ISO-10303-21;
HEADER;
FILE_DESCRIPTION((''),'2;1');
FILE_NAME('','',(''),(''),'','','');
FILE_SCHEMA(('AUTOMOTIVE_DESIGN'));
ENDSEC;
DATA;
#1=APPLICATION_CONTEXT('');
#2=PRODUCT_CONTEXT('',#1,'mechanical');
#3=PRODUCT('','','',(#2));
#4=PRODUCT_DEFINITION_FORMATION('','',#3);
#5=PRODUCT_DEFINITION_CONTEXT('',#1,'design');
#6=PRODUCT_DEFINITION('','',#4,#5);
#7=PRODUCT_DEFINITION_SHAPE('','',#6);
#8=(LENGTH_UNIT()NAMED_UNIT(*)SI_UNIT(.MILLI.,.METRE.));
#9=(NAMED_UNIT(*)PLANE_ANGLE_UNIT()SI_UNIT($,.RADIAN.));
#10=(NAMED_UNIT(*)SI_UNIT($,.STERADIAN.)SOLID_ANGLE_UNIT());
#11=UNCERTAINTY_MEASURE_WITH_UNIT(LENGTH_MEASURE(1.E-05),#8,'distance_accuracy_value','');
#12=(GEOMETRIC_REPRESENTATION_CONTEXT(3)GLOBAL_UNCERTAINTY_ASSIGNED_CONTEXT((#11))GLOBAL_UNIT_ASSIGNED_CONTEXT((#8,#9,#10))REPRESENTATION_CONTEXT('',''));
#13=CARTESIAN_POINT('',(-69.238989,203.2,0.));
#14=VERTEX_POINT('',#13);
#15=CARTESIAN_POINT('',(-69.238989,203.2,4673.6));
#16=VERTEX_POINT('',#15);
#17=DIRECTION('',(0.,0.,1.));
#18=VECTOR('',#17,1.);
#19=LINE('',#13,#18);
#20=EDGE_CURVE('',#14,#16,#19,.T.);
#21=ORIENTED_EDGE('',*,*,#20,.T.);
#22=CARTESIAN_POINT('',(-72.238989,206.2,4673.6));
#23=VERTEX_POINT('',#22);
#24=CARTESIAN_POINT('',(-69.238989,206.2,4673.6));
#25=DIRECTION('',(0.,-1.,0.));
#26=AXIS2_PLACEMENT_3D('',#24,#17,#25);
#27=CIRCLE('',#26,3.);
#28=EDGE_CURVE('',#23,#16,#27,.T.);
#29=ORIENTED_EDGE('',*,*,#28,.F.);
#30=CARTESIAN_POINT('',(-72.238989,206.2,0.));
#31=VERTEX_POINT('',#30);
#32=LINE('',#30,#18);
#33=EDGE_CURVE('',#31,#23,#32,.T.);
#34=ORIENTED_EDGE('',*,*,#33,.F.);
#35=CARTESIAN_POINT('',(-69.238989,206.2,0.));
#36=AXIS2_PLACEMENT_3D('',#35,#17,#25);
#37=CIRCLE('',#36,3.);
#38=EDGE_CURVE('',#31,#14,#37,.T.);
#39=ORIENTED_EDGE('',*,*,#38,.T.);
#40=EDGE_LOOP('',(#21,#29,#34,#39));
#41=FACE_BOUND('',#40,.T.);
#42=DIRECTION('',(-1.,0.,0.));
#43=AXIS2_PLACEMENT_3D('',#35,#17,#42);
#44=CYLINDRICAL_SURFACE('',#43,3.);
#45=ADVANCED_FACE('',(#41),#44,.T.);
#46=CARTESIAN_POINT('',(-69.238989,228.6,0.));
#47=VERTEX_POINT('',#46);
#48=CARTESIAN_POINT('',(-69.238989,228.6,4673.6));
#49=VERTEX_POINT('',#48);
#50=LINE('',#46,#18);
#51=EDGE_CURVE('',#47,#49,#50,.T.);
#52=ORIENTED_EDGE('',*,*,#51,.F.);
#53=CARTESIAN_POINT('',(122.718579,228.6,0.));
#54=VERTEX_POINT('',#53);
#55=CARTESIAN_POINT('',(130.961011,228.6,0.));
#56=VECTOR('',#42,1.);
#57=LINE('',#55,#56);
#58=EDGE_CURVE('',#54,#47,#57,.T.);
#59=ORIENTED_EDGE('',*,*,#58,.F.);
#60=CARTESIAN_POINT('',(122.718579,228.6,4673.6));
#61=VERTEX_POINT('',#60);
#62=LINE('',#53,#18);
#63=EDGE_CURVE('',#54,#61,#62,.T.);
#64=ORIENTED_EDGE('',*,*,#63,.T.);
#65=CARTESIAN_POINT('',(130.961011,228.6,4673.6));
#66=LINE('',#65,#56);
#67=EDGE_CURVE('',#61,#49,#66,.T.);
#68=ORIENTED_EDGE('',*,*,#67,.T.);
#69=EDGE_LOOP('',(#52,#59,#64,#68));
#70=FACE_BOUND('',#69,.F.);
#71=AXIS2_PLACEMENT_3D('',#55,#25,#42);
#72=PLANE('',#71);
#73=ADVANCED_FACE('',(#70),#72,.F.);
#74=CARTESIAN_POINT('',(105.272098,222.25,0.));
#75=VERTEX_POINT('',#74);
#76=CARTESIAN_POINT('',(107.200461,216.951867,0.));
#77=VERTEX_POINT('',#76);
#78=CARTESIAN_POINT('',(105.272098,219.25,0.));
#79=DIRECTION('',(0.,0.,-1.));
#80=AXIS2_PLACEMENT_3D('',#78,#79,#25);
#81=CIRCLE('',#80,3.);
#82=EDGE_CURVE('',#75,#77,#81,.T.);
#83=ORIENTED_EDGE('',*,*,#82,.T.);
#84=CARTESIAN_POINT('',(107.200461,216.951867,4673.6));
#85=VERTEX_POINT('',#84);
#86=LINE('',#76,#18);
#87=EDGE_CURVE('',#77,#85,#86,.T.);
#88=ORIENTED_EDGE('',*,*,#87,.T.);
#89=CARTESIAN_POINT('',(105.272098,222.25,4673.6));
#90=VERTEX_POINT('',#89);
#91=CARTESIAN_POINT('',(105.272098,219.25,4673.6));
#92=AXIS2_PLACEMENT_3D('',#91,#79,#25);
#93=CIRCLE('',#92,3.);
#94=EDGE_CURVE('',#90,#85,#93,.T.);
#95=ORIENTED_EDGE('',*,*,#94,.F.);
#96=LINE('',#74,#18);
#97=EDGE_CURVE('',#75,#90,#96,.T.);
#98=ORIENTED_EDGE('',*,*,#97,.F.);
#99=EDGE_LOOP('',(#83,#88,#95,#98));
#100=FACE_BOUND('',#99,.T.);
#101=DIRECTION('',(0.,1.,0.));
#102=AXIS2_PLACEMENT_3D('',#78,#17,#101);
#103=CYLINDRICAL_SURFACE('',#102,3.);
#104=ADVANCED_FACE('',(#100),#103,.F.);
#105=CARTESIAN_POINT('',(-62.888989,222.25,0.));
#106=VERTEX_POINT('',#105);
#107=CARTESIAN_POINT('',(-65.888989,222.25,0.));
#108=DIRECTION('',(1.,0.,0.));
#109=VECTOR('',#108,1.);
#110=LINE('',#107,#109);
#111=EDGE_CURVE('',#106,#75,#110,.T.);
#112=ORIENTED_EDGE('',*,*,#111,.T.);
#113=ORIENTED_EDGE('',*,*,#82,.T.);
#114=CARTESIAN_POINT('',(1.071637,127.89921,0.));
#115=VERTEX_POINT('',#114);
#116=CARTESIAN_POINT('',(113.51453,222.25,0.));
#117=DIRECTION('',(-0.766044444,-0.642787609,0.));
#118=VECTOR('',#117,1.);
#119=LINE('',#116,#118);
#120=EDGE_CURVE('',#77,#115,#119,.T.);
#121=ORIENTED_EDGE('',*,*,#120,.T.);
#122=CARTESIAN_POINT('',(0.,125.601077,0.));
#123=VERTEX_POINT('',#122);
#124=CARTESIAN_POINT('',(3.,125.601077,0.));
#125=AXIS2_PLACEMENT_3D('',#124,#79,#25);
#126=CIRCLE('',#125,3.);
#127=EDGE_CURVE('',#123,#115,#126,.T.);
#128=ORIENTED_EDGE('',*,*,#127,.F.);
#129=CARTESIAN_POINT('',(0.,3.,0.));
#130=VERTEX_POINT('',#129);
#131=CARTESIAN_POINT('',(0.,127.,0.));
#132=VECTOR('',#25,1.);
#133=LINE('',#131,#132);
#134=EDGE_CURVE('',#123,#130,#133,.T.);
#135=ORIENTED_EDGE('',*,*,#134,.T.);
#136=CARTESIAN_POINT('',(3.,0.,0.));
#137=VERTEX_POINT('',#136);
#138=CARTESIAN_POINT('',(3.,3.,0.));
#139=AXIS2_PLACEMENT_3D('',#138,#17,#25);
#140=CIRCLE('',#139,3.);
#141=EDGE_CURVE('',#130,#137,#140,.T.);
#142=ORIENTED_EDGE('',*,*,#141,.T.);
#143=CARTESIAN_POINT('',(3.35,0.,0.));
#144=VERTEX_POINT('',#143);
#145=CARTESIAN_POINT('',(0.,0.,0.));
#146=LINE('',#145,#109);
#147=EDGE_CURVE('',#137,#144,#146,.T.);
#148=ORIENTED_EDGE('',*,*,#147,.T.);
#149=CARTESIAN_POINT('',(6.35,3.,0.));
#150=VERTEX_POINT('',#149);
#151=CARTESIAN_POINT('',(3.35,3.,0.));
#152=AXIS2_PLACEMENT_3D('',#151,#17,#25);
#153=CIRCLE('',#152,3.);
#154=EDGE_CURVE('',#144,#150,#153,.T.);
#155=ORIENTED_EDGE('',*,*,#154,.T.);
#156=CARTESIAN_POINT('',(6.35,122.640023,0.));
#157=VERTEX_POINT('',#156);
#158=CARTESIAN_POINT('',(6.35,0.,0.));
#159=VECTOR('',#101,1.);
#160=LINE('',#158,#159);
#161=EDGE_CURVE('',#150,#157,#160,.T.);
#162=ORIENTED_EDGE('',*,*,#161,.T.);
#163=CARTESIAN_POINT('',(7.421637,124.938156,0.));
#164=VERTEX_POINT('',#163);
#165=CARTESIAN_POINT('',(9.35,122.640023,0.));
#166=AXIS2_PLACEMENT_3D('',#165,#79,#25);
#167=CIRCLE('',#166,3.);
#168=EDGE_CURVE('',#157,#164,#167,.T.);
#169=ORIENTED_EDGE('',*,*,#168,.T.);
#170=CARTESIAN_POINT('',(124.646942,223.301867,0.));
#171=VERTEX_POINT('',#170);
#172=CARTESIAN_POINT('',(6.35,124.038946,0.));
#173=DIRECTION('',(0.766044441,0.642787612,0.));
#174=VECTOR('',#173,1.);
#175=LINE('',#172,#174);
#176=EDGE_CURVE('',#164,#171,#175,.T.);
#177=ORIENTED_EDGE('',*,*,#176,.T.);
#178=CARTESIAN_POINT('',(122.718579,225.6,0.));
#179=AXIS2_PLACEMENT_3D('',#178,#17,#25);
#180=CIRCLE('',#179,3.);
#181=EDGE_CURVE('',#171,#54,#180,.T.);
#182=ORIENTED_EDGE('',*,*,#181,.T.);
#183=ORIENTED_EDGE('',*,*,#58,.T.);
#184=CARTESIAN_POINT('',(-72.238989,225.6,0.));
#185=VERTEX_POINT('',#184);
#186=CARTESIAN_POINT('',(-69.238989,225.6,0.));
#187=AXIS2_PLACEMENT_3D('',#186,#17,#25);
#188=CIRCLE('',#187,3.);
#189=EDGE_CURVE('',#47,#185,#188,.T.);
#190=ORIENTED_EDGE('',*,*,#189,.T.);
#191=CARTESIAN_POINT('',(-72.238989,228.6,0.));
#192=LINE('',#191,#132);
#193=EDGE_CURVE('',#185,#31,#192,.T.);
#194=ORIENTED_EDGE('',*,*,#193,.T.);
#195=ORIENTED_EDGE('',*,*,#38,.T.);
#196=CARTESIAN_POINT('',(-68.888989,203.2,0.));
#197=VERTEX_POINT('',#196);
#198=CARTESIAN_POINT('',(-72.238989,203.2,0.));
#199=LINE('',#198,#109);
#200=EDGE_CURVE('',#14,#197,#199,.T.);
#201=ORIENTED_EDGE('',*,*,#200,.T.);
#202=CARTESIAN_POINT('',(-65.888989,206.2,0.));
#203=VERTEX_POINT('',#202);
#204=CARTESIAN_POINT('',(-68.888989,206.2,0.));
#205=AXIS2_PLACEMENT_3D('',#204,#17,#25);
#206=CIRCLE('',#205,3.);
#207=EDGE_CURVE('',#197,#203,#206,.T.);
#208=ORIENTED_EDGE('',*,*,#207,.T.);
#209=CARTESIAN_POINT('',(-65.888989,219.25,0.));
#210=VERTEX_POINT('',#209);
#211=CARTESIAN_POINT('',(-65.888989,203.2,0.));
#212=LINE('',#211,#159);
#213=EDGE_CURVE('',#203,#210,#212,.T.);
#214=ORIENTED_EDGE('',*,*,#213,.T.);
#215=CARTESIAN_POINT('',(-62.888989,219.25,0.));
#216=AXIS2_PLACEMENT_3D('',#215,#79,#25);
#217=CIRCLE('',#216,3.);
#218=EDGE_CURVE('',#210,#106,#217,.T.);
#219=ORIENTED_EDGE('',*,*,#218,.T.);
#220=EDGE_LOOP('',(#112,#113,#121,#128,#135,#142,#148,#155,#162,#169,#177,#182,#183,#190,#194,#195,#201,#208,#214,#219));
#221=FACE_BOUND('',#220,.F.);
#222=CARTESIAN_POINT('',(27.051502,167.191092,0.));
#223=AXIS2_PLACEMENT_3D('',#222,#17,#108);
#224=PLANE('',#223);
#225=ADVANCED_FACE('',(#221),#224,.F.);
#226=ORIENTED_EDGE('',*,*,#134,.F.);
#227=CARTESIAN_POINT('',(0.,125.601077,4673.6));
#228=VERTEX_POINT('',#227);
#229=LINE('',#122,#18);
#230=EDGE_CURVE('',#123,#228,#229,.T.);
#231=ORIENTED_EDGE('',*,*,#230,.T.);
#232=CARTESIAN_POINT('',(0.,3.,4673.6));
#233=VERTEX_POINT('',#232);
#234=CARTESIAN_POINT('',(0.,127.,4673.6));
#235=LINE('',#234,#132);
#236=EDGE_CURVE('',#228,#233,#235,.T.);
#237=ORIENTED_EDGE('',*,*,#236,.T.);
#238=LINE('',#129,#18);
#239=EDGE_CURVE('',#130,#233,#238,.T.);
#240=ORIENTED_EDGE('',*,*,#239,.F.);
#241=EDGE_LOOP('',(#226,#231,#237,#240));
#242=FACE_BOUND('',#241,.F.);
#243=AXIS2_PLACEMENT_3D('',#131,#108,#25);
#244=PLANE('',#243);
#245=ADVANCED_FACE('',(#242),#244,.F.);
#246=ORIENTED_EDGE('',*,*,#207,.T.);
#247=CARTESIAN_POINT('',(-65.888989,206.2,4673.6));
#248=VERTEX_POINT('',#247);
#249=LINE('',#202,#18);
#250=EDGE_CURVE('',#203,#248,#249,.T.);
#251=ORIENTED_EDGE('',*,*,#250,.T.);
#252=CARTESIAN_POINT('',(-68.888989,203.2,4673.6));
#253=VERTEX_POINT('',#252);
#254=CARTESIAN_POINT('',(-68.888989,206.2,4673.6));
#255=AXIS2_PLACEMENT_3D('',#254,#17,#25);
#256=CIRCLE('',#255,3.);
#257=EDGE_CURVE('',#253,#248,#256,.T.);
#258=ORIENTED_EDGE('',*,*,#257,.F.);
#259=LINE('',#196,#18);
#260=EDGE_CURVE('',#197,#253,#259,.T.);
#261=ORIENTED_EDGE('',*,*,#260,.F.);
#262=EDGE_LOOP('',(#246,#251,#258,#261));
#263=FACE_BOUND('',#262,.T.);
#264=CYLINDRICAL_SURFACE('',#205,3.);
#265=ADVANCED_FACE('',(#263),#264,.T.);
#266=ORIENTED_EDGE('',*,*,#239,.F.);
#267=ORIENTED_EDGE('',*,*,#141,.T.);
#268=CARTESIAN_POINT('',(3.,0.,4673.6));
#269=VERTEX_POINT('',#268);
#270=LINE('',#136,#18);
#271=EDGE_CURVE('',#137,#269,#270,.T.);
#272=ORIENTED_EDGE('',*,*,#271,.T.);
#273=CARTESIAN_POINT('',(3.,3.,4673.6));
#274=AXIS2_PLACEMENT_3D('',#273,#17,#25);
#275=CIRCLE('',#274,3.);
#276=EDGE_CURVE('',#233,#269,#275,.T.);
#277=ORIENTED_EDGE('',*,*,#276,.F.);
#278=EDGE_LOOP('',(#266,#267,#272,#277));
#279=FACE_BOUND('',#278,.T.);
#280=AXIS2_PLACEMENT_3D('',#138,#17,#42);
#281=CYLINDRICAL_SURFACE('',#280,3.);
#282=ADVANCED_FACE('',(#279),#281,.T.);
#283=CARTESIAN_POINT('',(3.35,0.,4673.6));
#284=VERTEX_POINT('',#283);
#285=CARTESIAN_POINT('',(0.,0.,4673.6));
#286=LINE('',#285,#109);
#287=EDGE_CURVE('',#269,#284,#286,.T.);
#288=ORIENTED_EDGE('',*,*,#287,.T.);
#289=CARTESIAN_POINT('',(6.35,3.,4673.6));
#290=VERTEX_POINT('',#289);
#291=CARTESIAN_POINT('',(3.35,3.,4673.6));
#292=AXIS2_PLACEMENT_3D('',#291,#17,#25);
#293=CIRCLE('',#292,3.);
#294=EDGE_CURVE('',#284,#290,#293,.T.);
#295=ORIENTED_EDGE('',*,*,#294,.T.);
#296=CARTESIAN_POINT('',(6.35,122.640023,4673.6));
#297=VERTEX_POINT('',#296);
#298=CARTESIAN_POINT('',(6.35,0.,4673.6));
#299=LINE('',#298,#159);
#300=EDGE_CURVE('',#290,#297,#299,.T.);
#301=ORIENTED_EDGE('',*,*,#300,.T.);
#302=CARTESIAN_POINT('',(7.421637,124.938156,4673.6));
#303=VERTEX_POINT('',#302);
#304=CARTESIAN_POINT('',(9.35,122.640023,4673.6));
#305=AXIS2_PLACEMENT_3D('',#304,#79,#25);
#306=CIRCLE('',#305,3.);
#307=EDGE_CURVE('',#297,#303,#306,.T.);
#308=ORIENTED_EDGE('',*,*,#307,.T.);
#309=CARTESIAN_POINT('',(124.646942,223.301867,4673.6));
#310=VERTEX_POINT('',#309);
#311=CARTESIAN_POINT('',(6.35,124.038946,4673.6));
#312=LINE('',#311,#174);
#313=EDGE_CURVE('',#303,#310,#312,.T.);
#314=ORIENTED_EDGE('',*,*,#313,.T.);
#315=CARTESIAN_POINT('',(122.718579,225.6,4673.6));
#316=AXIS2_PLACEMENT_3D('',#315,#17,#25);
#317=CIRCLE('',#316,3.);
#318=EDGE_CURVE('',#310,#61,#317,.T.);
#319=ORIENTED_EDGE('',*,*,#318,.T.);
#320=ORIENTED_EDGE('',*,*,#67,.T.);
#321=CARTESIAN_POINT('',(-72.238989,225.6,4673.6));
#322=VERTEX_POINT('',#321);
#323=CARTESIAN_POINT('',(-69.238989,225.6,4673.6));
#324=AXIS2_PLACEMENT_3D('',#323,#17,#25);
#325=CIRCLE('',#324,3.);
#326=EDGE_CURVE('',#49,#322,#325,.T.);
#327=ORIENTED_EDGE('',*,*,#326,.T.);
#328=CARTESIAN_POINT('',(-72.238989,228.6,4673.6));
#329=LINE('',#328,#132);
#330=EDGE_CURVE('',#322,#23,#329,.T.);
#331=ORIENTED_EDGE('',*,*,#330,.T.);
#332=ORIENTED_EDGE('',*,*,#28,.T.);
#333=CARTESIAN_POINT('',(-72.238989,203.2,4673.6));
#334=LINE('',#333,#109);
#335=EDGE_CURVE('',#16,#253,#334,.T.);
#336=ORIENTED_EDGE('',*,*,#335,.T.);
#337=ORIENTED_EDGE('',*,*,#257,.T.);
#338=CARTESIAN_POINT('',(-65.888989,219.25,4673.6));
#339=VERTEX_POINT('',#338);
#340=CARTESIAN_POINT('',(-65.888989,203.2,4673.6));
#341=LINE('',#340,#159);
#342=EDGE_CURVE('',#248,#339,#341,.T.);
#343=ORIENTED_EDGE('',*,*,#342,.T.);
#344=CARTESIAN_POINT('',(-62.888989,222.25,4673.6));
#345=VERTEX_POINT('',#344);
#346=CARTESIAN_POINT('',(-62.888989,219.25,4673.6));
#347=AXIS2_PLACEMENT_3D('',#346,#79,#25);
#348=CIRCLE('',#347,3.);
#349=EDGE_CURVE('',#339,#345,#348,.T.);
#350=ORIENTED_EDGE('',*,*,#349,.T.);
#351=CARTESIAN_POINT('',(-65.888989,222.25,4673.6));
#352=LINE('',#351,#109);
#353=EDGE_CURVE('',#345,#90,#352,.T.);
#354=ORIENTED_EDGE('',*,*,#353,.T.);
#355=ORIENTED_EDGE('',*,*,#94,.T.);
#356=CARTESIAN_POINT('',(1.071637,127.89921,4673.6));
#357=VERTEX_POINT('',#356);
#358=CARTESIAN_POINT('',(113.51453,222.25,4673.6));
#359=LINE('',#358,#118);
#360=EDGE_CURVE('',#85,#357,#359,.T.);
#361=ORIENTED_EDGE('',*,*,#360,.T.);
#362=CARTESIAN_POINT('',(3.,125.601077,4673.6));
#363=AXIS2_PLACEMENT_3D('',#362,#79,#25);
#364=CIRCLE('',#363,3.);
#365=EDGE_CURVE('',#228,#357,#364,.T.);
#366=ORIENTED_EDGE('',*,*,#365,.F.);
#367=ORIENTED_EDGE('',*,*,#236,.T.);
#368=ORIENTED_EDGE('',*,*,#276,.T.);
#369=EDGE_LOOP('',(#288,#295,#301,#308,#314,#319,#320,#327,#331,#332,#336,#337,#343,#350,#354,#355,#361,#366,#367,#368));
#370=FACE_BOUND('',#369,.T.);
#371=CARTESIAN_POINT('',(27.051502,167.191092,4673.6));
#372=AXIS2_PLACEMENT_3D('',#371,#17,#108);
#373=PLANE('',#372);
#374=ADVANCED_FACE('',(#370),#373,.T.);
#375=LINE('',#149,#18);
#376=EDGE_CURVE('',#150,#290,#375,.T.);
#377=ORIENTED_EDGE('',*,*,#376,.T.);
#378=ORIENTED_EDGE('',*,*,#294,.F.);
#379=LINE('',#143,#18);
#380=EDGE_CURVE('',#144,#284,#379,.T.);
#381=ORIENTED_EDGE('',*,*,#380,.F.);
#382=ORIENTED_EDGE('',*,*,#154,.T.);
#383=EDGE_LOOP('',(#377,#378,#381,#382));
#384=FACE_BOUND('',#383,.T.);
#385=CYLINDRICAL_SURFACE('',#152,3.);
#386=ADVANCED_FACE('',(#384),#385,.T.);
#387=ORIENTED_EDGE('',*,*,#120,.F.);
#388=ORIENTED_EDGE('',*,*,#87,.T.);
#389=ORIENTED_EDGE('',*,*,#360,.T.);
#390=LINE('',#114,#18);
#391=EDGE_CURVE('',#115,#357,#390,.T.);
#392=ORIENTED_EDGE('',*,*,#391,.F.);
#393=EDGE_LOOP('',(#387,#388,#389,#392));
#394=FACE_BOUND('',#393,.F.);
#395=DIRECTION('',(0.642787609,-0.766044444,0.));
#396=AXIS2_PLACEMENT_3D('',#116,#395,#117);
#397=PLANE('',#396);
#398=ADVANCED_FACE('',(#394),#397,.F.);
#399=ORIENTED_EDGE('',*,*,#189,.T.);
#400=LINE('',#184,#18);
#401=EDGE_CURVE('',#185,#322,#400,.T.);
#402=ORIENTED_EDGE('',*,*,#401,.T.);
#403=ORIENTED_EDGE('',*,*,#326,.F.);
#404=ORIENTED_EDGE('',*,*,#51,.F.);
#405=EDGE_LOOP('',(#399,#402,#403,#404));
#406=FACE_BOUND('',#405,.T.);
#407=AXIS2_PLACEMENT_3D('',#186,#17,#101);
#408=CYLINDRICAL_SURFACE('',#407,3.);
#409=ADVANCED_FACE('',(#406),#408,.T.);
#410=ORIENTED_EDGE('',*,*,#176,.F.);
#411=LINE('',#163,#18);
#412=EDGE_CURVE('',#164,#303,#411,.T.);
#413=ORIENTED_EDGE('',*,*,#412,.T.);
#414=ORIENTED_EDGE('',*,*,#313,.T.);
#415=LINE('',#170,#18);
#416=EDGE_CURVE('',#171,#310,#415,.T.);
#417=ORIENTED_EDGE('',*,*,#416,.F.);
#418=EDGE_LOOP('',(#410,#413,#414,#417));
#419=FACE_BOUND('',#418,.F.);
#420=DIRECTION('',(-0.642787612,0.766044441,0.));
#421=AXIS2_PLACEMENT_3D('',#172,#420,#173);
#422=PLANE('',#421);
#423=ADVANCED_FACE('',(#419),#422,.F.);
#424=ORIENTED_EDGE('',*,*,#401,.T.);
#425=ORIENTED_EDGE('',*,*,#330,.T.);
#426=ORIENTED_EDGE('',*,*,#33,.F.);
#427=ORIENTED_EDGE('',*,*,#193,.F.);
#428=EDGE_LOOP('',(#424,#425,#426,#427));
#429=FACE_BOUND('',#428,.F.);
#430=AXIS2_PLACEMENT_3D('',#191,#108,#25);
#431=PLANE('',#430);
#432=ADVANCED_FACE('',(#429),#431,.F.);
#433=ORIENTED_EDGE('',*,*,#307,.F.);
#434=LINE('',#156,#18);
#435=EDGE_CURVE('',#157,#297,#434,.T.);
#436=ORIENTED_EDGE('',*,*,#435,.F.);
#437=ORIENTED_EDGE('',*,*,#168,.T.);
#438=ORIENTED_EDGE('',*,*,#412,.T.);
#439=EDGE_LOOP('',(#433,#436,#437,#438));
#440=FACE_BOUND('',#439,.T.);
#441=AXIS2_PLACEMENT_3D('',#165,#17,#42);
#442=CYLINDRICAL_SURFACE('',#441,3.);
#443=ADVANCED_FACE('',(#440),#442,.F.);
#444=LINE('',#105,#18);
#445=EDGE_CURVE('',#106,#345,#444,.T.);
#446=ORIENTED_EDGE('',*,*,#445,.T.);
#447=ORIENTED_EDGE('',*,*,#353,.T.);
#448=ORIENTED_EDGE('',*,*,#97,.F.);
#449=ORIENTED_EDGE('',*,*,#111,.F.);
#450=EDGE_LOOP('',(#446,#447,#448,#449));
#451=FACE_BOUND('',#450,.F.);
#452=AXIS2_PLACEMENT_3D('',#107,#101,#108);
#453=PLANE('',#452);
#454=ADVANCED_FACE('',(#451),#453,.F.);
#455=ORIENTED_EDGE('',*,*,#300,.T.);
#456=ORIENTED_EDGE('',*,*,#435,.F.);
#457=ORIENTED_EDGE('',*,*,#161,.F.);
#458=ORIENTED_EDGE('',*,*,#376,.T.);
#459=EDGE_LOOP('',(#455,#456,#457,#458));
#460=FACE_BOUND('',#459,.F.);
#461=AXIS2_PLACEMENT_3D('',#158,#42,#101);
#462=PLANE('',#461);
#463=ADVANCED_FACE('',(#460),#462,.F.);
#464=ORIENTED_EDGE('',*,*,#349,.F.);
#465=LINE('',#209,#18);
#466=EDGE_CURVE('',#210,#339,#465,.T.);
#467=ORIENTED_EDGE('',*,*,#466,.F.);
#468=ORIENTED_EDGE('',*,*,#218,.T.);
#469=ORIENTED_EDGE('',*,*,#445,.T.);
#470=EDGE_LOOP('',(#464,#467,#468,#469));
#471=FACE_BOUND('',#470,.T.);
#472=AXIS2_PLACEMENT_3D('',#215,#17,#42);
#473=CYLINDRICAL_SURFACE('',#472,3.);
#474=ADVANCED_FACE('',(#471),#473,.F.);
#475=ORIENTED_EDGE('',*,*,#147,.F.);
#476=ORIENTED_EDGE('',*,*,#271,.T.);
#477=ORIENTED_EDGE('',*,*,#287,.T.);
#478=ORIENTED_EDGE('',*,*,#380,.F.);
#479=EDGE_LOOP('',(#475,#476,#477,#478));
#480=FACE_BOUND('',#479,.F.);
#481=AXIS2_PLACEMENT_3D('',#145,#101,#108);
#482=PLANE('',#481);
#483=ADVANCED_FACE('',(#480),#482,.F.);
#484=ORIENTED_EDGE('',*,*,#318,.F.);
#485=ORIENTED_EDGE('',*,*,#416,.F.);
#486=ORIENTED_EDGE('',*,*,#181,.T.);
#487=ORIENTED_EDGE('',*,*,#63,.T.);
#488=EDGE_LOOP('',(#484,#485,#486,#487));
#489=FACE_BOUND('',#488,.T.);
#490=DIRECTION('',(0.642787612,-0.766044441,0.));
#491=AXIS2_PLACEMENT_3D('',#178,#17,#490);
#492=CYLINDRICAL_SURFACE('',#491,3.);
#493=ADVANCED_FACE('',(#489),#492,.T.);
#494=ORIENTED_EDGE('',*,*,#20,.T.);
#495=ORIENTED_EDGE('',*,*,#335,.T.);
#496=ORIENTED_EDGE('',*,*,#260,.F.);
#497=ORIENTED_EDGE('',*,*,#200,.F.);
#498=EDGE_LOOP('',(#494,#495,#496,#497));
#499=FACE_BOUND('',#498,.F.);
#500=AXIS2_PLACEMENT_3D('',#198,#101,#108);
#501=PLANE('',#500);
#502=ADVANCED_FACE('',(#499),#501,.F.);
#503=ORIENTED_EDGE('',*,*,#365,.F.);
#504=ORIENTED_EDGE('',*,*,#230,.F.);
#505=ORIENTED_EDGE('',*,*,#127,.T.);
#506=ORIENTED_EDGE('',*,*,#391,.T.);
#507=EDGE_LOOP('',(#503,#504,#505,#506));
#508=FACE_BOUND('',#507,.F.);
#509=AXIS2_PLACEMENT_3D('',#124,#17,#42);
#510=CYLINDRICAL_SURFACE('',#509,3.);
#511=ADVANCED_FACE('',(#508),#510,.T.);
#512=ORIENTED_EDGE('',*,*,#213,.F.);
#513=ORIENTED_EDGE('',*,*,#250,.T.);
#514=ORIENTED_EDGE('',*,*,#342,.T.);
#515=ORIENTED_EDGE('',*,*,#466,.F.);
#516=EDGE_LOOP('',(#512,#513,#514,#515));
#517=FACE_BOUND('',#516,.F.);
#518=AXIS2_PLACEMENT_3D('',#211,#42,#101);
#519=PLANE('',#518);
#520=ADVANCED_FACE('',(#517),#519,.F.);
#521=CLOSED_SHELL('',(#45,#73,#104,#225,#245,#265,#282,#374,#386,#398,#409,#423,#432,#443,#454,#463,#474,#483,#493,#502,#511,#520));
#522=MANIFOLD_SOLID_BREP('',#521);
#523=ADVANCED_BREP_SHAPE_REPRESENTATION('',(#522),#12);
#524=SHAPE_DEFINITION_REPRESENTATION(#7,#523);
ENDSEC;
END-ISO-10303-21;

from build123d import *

# Parameters (mm, degrees)
F1_DEPTH = 4673.6
F2_R     = 3


with BuildPart() as f1:
    # F0 (on Top) → F1 (new body)
    with BuildSketch(Plane.XY):
        Polygon((0, 127), (0, 0), (6.35, 0), (6.35, 124.038946), (130.961011, 228.6), (-72.238989, 228.6), (-72.238989, 203.2), (-65.888989, 203.2), (-65.888989, 222.25), (113.51453, 222.25), align=None)
    extrude(amount=F1_DEPTH)

    # F2
    f2_edges = [f1.edges().sort_by_distance(p)[0] for p in [
        (-72.238989, 203.2, 2336.8),
        (-72.238989, 228.6, 2336.8),
        (130.961011, 228.6, 2336.8),
        (0, 0, 2336.8),
        (6.35, 0, 2336.8),
        (0, 127, 2336.8),
        (6.35, 124.038946, 2336.8),
        (113.51453, 222.25, 2336.8),
        (-65.888989, 222.25, 2336.8),
        (-65.888989, 203.2, 2336.8),
    ]]
    fillet(f2_edges, radius=F2_R)


solid = f1.part
